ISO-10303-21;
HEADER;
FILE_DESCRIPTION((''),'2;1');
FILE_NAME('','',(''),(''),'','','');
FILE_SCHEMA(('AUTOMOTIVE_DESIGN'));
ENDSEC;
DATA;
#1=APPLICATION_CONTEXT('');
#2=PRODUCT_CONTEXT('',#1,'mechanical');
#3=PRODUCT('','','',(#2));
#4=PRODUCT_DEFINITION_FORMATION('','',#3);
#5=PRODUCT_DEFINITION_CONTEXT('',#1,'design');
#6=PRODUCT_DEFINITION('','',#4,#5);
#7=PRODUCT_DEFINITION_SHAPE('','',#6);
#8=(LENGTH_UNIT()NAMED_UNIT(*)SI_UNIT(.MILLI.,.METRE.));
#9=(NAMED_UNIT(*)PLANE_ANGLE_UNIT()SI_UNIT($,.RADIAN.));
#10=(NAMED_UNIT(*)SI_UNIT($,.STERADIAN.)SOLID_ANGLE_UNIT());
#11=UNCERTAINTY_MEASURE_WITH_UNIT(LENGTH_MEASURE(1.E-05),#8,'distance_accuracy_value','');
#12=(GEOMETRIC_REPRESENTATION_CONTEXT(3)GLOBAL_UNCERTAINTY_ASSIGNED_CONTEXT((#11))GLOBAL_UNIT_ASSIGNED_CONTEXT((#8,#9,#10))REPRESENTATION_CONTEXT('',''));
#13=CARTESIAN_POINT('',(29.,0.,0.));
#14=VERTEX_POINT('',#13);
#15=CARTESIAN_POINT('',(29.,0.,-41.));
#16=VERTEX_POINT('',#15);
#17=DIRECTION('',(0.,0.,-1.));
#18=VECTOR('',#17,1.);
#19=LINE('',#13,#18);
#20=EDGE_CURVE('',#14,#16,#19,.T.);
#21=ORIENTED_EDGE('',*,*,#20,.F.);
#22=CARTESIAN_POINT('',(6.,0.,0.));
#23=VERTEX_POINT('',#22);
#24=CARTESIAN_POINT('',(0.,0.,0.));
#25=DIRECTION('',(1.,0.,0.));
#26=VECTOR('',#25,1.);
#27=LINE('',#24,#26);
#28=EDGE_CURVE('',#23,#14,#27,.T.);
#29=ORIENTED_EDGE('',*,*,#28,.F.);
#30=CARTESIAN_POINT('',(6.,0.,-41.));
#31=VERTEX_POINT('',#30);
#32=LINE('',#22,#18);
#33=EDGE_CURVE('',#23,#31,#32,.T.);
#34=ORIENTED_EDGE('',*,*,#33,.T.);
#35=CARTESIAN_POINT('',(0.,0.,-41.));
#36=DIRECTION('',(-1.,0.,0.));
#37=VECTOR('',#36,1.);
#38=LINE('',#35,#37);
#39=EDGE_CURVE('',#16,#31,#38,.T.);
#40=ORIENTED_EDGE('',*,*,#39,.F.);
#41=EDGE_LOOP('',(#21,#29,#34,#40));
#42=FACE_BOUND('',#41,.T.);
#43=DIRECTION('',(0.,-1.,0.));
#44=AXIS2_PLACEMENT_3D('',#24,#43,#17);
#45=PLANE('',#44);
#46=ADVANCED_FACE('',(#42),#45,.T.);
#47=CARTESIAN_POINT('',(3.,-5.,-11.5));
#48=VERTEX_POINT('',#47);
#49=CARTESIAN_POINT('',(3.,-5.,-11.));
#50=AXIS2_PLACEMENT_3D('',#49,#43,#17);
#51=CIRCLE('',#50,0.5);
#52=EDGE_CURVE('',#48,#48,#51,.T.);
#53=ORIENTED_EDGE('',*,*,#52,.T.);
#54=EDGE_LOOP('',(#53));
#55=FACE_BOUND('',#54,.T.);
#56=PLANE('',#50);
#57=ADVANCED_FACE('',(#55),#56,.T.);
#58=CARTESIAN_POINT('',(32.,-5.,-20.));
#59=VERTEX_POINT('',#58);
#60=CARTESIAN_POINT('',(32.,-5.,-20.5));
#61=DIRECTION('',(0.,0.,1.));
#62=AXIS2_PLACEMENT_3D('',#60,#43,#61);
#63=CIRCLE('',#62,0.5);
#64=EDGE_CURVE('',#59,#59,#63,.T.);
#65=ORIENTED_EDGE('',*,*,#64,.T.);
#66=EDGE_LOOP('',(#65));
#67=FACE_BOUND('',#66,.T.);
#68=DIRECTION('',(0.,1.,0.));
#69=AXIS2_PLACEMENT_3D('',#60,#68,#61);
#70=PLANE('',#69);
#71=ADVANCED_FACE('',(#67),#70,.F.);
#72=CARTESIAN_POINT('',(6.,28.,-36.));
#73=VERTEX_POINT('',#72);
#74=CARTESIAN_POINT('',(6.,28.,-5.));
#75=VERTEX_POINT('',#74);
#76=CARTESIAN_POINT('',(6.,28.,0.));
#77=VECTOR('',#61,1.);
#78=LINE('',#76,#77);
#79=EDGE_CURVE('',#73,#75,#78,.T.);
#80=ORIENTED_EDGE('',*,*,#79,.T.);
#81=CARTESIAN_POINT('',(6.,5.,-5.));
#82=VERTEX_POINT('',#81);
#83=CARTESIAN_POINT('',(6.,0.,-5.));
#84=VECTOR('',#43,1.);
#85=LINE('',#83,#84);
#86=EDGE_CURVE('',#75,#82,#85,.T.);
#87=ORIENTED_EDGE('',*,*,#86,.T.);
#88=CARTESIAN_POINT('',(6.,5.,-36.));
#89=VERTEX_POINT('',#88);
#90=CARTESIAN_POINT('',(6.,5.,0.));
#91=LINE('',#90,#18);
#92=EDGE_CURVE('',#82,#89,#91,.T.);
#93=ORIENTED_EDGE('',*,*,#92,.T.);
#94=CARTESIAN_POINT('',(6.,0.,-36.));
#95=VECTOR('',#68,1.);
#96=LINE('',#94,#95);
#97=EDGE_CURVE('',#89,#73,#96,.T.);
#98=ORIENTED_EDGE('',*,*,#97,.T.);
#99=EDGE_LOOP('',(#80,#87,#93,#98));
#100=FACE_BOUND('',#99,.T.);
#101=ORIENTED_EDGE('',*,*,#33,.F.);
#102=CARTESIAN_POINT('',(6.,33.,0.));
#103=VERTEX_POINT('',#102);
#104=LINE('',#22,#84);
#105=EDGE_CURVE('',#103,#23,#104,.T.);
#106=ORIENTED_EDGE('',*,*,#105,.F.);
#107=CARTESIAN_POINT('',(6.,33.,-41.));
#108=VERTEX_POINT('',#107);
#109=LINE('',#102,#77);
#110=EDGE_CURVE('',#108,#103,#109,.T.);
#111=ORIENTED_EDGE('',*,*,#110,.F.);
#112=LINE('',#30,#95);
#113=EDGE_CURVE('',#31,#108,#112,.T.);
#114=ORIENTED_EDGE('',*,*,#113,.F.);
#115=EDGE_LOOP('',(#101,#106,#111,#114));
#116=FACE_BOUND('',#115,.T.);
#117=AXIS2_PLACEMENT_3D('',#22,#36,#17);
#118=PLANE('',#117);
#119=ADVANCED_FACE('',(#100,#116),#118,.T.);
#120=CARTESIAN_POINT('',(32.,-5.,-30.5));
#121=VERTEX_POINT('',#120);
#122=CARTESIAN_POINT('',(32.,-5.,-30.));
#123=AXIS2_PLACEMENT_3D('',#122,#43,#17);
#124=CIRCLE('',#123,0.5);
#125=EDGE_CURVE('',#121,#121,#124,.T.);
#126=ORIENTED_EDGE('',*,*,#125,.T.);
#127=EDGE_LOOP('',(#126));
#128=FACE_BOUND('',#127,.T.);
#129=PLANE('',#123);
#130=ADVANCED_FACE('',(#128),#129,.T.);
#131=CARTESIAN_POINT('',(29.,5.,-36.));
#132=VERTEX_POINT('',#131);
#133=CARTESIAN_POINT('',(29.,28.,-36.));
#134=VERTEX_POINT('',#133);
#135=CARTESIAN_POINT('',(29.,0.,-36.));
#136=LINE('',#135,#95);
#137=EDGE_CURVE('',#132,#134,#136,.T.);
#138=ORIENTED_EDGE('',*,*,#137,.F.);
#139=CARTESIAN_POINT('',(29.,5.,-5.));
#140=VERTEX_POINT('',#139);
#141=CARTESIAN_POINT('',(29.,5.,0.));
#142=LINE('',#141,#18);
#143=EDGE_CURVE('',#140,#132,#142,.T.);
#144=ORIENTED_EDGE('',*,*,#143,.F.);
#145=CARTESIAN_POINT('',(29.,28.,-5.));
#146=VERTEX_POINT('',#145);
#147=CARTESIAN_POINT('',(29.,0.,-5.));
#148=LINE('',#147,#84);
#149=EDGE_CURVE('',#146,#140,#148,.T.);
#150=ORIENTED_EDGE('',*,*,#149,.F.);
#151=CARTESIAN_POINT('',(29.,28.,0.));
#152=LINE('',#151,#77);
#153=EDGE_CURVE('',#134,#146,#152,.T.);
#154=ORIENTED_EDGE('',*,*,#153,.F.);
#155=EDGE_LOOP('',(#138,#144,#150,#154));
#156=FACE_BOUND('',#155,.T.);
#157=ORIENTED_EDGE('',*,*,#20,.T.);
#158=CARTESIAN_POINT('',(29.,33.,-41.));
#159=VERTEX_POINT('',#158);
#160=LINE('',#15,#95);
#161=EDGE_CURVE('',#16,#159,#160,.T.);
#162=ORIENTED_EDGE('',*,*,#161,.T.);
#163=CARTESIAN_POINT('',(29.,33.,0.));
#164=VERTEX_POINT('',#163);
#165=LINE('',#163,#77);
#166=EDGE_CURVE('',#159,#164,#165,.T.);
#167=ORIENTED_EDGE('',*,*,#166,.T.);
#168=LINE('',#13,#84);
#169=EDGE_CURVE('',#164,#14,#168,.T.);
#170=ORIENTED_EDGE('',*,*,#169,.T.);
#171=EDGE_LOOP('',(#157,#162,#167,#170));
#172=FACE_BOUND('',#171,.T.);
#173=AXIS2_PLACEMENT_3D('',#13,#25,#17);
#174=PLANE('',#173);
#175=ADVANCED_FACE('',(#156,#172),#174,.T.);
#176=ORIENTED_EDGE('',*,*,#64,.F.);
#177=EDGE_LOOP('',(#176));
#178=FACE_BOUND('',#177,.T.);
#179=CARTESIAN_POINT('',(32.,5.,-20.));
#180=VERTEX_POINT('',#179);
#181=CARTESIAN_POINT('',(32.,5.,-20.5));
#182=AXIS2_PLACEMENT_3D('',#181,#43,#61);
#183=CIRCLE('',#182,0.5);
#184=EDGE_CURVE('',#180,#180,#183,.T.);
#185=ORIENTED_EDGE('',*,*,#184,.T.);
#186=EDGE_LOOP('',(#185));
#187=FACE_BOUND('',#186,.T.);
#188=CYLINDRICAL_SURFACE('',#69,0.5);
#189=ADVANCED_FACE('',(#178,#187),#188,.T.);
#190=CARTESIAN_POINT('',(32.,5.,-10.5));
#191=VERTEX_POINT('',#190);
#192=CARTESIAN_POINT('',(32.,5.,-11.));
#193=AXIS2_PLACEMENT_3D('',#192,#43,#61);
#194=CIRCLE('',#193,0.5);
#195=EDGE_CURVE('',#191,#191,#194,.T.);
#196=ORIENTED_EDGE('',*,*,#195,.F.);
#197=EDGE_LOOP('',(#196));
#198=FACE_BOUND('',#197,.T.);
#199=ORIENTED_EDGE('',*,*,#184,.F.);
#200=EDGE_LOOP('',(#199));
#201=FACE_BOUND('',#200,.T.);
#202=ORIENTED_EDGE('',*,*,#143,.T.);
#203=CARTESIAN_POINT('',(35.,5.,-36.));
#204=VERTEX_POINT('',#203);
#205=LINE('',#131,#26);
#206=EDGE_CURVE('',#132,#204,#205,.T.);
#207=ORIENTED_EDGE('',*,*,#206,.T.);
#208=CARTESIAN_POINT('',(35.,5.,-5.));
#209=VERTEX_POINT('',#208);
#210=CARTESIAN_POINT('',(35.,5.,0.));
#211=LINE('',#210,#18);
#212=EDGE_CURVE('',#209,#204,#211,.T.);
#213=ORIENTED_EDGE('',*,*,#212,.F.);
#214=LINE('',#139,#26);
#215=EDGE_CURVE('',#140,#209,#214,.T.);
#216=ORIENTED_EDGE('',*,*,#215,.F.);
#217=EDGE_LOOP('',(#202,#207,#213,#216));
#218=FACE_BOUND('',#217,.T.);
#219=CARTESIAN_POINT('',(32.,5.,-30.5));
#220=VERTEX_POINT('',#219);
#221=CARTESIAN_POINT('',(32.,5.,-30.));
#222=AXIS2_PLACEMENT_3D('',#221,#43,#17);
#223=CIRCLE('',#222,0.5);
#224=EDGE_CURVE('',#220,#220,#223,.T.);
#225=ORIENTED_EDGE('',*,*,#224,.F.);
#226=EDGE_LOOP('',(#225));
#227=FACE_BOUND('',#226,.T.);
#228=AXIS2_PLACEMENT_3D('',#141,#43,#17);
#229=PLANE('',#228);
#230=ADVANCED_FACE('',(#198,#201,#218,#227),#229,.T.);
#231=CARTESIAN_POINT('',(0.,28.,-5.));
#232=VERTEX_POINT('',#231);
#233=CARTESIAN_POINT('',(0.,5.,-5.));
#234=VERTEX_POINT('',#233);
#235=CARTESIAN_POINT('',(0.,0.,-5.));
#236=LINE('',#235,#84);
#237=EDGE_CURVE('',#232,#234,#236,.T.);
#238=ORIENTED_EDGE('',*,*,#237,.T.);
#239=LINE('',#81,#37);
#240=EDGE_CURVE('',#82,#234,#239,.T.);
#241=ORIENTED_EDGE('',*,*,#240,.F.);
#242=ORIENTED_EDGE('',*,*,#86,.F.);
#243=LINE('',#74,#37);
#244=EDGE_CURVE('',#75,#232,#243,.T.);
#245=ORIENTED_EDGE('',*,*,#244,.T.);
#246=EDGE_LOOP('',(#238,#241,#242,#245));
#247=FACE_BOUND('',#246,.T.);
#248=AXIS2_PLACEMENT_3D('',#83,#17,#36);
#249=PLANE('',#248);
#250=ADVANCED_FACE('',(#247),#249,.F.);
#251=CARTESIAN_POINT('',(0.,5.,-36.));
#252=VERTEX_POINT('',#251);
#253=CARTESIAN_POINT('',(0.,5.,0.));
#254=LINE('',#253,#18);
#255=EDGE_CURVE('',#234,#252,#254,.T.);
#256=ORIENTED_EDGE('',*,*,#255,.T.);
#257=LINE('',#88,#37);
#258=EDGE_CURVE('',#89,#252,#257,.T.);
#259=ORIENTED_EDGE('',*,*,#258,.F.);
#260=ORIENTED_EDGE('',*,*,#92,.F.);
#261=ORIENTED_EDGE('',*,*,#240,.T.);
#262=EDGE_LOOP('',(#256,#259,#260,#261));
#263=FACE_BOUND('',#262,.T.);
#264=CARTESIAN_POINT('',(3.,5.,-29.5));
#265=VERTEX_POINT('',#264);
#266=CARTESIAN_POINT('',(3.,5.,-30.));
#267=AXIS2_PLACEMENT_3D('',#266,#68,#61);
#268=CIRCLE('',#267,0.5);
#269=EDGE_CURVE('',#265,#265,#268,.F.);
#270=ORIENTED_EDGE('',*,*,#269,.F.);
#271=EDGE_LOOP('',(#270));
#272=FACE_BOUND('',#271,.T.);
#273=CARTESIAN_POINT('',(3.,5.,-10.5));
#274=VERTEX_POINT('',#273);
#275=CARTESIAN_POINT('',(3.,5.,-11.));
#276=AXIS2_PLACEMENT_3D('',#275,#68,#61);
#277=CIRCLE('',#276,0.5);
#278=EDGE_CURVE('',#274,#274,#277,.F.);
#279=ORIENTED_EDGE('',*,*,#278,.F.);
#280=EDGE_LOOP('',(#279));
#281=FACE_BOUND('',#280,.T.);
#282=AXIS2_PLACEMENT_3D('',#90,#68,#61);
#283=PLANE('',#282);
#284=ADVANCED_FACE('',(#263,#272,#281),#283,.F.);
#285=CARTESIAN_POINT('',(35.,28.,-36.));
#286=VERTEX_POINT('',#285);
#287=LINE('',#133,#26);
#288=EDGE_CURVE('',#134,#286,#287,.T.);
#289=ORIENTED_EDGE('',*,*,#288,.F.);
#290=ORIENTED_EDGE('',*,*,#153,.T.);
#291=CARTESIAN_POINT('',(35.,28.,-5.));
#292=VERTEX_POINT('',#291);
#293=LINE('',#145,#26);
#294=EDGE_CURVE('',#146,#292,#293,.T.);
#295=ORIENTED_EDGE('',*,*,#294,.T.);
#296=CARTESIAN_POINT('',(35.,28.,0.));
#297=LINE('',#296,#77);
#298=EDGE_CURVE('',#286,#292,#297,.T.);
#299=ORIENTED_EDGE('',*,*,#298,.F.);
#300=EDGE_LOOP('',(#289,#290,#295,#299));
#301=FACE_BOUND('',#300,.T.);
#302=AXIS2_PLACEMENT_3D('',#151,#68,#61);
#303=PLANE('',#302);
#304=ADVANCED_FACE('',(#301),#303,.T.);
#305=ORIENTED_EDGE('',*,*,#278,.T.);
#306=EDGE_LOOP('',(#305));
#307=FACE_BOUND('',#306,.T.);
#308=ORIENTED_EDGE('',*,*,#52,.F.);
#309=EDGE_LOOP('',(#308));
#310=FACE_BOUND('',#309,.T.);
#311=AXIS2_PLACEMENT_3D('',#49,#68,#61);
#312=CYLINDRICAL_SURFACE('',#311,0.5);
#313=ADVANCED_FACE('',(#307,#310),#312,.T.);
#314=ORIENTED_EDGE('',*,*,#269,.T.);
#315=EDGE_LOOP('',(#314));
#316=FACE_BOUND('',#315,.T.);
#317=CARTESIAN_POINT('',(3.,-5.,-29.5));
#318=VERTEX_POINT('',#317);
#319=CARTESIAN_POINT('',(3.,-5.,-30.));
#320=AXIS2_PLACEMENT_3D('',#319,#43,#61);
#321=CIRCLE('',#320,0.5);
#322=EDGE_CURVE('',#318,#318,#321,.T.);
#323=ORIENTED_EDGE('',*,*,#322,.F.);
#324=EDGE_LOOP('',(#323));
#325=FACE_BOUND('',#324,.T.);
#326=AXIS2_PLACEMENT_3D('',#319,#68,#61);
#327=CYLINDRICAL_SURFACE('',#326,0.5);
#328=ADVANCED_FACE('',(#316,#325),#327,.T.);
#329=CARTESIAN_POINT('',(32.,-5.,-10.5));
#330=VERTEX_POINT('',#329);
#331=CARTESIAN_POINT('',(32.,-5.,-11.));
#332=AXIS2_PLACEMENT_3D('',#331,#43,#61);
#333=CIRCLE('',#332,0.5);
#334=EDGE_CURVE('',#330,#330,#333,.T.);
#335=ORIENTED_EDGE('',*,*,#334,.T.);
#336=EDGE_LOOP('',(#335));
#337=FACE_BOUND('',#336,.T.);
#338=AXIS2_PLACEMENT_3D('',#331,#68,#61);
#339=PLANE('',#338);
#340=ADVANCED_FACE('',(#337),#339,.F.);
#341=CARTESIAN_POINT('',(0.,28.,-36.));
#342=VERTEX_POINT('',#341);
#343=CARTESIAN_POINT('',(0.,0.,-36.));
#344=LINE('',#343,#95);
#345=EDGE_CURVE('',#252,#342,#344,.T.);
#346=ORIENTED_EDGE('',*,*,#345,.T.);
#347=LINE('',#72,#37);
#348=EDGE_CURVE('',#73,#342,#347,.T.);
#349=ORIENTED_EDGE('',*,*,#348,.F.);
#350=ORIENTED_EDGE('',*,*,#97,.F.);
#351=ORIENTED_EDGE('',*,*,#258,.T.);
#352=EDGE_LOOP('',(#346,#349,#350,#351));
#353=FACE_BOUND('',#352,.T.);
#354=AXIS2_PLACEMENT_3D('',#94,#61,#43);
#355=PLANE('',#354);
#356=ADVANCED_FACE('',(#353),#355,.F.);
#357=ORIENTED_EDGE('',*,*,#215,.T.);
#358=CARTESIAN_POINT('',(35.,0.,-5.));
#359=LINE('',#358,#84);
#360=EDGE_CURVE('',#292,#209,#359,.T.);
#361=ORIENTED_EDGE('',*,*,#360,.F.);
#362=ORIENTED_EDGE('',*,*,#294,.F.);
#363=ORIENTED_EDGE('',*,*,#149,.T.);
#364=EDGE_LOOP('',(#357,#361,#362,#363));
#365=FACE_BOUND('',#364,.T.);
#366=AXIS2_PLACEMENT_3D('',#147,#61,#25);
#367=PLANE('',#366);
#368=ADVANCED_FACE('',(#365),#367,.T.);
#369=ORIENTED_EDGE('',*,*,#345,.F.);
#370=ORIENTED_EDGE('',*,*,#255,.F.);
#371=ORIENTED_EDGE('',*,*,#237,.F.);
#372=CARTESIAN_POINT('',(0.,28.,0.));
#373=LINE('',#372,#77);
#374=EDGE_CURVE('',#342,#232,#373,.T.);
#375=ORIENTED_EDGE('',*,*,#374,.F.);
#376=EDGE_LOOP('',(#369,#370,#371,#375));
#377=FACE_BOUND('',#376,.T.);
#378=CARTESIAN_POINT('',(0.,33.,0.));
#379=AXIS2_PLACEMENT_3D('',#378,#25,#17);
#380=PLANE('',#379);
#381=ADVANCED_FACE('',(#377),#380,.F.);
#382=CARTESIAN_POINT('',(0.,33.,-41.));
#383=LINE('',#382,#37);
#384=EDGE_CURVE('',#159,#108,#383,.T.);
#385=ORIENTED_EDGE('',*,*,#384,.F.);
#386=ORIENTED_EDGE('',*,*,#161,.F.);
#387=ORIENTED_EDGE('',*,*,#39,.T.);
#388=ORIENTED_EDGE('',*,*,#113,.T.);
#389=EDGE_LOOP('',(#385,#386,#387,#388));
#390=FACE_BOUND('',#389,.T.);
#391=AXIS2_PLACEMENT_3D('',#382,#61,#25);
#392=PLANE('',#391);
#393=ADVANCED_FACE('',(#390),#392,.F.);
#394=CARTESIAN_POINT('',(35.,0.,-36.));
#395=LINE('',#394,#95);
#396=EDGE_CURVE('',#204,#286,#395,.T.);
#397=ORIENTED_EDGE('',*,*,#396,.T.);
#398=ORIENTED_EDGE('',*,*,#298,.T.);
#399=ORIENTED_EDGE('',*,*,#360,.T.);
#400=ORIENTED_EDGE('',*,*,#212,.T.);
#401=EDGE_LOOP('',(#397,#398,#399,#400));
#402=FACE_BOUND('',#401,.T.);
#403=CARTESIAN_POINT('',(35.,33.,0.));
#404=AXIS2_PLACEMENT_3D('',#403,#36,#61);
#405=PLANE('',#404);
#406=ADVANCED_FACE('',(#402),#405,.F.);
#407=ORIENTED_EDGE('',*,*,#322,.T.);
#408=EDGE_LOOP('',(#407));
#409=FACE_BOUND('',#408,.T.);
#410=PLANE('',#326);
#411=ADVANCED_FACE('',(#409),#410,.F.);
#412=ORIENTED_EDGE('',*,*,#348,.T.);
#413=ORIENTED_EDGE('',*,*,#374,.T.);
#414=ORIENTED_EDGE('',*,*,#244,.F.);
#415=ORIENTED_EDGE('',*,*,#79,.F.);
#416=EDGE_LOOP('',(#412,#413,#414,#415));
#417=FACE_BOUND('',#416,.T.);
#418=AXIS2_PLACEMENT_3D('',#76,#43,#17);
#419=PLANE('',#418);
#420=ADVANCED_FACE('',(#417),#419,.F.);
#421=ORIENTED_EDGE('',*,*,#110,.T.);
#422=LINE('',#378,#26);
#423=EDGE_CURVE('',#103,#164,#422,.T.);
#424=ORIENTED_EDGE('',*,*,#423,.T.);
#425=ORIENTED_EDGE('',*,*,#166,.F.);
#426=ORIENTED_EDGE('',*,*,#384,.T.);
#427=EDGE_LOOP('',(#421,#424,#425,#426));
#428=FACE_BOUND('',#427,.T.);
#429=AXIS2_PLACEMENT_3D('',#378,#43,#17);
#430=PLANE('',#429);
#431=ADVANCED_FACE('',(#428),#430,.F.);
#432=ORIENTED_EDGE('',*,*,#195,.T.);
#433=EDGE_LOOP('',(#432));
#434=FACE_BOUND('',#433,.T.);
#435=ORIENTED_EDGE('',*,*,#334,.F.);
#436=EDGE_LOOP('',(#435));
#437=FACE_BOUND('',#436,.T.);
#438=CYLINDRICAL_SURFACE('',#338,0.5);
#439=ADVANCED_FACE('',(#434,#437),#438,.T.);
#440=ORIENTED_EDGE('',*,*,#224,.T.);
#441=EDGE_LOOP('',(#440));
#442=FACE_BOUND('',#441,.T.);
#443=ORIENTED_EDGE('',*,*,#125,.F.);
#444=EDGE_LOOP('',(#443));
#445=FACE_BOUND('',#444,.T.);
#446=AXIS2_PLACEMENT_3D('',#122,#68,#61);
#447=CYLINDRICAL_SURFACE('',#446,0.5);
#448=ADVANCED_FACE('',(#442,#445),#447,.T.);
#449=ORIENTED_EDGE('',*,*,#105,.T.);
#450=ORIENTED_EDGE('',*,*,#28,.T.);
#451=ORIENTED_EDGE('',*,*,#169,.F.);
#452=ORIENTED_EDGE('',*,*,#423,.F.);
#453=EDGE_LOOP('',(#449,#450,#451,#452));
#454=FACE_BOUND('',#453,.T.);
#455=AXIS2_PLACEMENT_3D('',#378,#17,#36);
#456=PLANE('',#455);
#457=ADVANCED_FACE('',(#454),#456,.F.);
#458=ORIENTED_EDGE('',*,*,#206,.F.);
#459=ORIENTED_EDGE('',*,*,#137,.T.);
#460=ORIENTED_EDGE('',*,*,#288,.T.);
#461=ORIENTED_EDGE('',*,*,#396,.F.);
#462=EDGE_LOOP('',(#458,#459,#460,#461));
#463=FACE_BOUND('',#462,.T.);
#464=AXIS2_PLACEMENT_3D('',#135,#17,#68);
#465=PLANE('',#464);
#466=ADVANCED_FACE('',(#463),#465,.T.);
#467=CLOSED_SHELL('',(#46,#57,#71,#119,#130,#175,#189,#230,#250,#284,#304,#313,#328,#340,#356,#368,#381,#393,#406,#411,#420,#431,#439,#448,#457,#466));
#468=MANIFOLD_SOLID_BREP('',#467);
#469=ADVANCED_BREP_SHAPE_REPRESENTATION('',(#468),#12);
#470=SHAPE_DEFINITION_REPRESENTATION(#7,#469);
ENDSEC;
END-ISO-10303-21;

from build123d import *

# Parameters (mm, degrees)
SKETCH_1_W          = 35
SKETCH_1_H          = 41
EXTRUDE_1_DEPTH     = 33
SKETCH_3_W          = 41
SKETCH_3_H          = 33
SKETCH_3_W_2        = 31
SKETCH_3_H_2        = 23
CUT_EXTRUDE_1_DEPTH = 6
SKETCH_2_R          = 0.5
EXTRUDE_2_DEPTH     = 10


with BuildPart() as part:
    # 草图1 → 凸台-拉伸1 (new body)
    with BuildSketch(Plane(origin=(0, 0, 0), x_dir=(1, 0, 0), z_dir=(0, 1, 0))):
        with Locations((17.5, 20.5)):
            Rectangle(SKETCH_1_W, SKETCH_1_H)
    extrude(amount=EXTRUDE_1_DEPTH)

    # 草图3 → 切除-拉伸1 (cut)
    with BuildSketch(Plane(origin=(35, 0, 0), x_dir=(0, 0, -1), z_dir=(1, 0, 0))):
        with Locations((20.5, 16.5)):
            Rectangle(SKETCH_3_W, SKETCH_3_H)
        with Locations((20.5, 16.5)):
            Rectangle(SKETCH_3_W_2, SKETCH_3_H_2, mode=Mode.SUBTRACT)
    cut_extrude_1 = extrude(amount=-CUT_EXTRUDE_1_DEPTH, mode=Mode.SUBTRACT)

    # 镜向9: 切除-拉伸1 across plane
    add(cut_extrude_1.mirror(Plane(origin=(17.5, 0, 0), x_dir=(0, 0, 1), z_dir=(1, 0, 0))), mode=Mode.SUBTRACT)

    # 草图2 → 凸台-拉伸2 (add)
    with BuildSketch(Plane.XZ.offset(-5)):
        with Locations(Location((3, -11, 0), (0, 0, 90))):
            Circle(SKETCH_2_R)
        with Locations(Location((3, -30, 0), (0, 0, 90))):
            Circle(SKETCH_2_R)
        with Locations(Location((32, -30, 0), (0, 0, 270))):
            Circle(SKETCH_2_R)
        with Locations(Location((32, -11, 0), (0, 0, 90))):
            Circle(SKETCH_2_R)
        with Locations(Location((32, -20.5, 0), (0, 0, 90))):
            Circle(SKETCH_2_R)
    extrude(amount=EXTRUDE_2_DEPTH)


solid = part.part
